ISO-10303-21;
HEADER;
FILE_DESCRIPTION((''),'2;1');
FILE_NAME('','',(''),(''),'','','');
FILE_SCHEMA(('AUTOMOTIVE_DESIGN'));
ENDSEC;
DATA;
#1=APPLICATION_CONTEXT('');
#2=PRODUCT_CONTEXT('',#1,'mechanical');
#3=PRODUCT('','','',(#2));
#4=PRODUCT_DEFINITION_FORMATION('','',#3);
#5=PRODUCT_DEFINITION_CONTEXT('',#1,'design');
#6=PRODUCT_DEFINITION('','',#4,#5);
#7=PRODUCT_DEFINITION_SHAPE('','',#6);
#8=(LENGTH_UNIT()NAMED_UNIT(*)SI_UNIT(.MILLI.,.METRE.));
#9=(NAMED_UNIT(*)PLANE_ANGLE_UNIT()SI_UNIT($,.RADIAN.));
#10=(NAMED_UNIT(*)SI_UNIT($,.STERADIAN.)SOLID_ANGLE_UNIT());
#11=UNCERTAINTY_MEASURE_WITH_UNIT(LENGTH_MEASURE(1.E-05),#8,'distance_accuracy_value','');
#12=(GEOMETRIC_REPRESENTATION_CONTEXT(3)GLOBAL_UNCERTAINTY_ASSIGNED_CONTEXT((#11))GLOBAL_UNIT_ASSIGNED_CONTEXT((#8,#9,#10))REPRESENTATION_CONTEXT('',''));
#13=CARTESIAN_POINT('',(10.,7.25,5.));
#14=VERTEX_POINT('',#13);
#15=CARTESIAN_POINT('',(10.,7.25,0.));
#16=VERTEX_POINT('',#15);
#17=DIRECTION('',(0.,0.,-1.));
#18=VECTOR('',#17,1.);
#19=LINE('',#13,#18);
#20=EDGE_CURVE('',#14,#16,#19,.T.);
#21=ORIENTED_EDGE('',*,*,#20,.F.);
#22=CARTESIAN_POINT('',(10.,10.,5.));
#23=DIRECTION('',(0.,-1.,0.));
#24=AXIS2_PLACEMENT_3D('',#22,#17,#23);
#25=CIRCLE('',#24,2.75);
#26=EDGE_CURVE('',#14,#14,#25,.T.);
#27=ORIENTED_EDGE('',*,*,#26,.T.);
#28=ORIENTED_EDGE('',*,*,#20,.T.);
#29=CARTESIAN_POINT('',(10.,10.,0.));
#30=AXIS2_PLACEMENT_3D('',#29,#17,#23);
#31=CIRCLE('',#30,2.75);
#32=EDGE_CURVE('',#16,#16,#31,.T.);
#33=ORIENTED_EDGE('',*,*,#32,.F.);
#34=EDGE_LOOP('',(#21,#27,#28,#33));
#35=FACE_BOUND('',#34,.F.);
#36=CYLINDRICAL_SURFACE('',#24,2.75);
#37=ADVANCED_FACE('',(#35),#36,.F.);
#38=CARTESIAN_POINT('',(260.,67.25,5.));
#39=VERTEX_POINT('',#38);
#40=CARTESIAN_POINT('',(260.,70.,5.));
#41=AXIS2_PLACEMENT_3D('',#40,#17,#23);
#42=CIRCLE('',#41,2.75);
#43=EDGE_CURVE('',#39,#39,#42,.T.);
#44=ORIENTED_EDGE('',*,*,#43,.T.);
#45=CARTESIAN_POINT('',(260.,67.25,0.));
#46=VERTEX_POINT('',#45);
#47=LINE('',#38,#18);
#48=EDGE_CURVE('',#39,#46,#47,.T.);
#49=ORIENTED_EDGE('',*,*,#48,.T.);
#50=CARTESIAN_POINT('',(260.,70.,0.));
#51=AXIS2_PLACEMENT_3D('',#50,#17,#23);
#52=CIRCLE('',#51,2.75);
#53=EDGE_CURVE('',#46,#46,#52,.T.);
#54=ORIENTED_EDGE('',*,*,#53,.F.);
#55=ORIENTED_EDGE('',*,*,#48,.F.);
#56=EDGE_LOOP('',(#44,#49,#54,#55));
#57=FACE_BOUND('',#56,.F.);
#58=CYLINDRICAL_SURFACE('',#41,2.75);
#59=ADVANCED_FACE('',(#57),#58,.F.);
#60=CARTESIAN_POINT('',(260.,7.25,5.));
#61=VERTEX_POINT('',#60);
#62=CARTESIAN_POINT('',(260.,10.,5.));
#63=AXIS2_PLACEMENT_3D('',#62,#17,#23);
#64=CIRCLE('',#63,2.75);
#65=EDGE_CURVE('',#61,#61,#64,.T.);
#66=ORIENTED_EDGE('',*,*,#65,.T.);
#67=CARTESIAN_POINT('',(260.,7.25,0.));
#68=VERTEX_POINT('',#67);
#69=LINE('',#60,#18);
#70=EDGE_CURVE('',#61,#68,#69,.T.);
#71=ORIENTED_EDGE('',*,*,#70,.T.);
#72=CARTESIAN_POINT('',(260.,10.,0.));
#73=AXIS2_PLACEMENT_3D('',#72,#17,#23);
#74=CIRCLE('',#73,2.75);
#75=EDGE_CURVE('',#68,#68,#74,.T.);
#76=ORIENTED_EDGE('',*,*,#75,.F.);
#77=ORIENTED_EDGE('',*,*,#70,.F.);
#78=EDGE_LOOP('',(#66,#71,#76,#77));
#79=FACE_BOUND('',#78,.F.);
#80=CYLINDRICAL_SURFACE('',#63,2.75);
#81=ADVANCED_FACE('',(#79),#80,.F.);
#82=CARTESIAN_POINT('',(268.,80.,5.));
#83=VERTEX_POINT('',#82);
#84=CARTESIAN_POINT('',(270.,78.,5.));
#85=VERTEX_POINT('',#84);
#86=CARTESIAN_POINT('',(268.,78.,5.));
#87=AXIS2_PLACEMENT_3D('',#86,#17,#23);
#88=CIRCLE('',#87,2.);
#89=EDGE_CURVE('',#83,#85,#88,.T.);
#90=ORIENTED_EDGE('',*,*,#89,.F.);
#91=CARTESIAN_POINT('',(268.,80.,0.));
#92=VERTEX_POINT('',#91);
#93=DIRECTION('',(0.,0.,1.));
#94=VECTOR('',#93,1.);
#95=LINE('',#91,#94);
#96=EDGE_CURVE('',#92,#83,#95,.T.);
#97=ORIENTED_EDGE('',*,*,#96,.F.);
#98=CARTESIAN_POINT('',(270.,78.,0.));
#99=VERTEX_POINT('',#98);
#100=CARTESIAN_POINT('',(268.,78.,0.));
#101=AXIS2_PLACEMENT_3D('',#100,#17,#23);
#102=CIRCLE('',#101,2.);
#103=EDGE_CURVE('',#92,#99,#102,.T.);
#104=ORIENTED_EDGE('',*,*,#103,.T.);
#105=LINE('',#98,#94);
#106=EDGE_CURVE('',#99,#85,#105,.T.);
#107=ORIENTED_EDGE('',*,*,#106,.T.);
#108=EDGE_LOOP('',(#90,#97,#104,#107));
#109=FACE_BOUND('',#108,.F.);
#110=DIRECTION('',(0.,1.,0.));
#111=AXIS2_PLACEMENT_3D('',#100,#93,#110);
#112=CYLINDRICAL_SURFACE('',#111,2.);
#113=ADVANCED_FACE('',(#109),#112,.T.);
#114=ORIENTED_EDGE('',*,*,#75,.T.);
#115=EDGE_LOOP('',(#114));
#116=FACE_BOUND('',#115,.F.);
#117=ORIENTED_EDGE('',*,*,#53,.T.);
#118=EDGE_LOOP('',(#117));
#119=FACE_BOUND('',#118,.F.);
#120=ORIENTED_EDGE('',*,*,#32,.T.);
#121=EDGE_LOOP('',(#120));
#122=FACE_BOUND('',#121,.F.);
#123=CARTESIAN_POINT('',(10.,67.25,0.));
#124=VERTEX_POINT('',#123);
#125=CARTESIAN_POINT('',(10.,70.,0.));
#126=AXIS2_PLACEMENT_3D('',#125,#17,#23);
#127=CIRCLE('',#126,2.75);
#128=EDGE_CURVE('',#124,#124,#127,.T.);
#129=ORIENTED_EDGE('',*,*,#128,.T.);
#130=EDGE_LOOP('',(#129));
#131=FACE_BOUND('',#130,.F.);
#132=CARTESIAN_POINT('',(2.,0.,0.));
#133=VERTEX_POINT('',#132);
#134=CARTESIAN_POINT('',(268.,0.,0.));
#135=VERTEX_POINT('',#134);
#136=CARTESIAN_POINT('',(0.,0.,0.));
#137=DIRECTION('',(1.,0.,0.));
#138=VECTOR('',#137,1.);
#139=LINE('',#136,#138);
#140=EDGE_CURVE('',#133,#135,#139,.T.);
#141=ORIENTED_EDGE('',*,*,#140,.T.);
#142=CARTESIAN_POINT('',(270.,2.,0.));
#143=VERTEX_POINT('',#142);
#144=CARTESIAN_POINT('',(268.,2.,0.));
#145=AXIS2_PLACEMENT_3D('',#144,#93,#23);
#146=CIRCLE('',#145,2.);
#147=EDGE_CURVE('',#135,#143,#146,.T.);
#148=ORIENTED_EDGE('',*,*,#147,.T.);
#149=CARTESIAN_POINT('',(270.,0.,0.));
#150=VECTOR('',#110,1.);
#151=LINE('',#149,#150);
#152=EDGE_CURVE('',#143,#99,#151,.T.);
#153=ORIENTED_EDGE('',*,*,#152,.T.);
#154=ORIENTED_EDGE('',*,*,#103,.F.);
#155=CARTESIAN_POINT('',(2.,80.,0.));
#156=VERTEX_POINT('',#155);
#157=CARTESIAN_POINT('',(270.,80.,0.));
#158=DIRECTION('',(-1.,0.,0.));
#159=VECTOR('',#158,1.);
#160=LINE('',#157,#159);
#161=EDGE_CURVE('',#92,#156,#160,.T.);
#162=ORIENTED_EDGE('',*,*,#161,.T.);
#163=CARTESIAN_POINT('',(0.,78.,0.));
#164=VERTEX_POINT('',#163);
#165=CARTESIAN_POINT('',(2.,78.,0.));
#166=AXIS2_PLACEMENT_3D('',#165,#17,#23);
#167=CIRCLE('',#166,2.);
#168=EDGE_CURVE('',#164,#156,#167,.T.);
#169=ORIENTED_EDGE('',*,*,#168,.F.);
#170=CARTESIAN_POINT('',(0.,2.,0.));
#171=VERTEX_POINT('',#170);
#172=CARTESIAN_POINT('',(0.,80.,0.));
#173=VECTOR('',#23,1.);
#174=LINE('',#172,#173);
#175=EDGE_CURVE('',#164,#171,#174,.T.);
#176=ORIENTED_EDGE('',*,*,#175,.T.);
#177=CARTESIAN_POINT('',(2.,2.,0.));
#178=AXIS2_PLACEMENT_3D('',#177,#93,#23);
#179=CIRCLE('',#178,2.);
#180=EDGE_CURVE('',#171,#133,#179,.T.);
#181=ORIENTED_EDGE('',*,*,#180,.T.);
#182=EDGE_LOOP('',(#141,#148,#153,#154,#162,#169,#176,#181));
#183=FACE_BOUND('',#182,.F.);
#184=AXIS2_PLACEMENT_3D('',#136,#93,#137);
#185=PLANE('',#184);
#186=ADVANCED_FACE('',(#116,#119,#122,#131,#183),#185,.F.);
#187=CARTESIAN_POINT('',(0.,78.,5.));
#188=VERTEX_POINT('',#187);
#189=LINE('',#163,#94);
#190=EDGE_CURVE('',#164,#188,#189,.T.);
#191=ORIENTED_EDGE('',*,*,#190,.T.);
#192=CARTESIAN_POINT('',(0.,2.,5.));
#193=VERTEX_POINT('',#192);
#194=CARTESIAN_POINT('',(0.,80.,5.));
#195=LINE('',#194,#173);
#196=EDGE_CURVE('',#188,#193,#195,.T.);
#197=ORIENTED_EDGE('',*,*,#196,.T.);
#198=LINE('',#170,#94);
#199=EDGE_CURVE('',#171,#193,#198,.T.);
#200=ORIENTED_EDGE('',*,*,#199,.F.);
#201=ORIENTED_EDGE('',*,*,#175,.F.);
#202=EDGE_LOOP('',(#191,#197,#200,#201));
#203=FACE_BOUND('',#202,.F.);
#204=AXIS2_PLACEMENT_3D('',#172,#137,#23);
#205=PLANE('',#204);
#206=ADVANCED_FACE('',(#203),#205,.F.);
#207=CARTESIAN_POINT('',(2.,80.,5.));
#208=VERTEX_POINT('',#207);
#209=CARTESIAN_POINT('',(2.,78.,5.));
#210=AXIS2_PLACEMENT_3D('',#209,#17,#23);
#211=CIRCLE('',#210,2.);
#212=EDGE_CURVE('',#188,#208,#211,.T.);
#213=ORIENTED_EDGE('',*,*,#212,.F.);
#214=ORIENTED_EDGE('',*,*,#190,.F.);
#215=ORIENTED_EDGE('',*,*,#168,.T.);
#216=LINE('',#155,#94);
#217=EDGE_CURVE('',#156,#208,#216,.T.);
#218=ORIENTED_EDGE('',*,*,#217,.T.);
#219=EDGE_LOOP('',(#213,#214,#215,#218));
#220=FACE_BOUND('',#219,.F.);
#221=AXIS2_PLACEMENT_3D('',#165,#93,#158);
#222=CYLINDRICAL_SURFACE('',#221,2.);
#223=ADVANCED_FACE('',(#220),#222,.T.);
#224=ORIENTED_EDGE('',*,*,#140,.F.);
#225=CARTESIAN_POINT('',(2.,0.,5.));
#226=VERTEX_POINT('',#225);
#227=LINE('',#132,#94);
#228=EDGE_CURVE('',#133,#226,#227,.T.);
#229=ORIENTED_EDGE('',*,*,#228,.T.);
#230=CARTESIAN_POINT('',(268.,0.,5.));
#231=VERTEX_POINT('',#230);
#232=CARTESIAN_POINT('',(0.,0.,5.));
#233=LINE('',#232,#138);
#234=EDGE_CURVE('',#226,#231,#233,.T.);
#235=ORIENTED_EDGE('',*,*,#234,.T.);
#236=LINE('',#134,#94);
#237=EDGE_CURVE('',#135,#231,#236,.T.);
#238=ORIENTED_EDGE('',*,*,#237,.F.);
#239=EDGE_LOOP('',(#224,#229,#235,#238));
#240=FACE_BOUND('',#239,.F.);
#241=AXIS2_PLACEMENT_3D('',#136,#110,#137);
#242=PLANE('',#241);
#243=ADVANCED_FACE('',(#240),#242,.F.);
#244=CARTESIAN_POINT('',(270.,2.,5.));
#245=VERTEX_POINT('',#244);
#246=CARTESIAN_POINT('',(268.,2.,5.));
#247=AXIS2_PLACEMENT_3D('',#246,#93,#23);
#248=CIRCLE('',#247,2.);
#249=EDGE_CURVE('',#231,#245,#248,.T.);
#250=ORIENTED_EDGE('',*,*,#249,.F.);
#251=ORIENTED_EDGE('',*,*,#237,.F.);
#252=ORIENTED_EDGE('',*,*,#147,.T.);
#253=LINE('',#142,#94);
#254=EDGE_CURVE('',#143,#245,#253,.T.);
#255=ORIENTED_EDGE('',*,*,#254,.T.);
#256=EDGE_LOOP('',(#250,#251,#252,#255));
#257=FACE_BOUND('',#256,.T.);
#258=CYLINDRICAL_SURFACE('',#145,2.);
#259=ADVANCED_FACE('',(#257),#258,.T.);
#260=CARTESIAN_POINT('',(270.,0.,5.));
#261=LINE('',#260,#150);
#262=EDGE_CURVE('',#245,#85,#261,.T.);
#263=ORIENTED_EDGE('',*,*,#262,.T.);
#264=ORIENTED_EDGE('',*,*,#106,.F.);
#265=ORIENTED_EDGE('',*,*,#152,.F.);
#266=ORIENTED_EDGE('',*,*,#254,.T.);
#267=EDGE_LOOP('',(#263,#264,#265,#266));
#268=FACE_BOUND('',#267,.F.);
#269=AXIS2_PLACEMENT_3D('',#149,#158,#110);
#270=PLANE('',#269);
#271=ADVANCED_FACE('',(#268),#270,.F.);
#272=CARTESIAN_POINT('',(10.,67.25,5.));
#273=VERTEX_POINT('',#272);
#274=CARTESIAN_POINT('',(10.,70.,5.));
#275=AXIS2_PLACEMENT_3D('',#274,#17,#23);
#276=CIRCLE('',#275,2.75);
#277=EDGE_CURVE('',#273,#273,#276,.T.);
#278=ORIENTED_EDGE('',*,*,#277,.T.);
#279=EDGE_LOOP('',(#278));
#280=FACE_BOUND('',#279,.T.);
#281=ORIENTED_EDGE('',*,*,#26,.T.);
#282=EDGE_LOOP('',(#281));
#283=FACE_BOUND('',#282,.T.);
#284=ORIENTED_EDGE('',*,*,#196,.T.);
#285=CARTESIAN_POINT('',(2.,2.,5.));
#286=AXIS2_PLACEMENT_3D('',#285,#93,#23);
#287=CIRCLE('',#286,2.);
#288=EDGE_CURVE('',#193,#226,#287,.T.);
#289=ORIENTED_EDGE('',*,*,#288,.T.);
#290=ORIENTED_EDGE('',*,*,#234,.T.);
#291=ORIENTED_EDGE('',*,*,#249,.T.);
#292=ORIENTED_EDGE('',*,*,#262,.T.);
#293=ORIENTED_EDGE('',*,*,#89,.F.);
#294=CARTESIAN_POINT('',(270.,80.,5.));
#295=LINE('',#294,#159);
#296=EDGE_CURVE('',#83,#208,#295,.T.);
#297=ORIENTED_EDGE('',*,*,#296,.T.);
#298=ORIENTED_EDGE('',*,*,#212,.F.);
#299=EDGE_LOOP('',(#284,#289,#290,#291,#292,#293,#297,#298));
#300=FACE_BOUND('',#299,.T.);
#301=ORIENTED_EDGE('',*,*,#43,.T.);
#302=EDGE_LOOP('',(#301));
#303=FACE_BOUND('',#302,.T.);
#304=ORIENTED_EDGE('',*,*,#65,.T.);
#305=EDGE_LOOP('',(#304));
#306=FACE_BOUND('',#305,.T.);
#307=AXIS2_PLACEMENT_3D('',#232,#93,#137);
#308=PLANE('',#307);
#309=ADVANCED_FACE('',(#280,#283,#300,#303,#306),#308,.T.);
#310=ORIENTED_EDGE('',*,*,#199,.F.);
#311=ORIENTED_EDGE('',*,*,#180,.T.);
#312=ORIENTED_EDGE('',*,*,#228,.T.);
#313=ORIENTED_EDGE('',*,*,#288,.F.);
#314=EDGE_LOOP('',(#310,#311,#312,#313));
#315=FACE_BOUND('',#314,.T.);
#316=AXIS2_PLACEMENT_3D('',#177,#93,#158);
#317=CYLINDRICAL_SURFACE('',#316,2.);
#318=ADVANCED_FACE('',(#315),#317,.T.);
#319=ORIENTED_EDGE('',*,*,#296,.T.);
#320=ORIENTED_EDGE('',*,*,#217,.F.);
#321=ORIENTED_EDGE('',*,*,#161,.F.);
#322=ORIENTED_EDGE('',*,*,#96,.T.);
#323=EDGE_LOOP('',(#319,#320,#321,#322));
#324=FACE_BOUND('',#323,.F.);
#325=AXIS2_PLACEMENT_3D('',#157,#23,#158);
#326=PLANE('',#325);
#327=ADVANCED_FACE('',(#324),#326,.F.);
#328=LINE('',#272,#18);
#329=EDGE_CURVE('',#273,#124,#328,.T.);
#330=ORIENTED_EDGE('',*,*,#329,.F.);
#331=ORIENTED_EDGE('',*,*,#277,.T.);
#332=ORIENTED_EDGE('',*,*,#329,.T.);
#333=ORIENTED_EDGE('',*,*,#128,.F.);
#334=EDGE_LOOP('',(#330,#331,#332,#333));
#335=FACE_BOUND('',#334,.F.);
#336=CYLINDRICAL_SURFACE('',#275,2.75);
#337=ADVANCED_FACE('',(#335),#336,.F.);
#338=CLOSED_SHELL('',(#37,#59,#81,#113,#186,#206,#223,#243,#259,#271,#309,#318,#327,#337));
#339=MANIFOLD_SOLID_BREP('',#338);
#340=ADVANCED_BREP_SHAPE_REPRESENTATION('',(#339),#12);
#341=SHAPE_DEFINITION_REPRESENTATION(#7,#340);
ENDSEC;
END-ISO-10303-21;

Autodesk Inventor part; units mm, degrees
ref_plane "YZ Plane" through (0, 0, 0) normal (1, 0, 0) x (0, 1, 0)
ref_plane "XZ Plane" through (0, 0, 0) normal (0, 1, 0) x (-1, 0, 0)
ref_plane "XY Plane" through (0, 0, 0) normal (0, 0, 1) x (1, 0, 0)
sketch "Sketch1" plane through (0, 0, 0) normal (0, 0, 1) x (1, 0, 0)
  line L0 (0, 0) -> (270, 0)
  line L1 (270, 0) -> (270, 80)
  line L2 (270, 80) -> (0, 80)
  line L3 (0, 80) -> (0, 0)
  dimension "d2" = 80
  dimension "d3" = 270
extrude "Extrusion1" add sketch "Sketch1" along normal blind 5
sketch "Sketch2" plane through (0, 0, 5) normal (0, 0, 1) x (1, 0, 0)
  circle A0 centre (10, 70) radius 2.75
  circle A1 centre (260, 70) radius 2.75
  circle A2 centre (260, 10) radius 2.75
  circle A3 centre (10, 10) radius 2.75
  line L0 (270, 80) -> (0, 80) projected
  line L1 (0, 80) -> (0, 0) projected
  line L2 (270, 0) -> (270, 80) projected
  line L3 (0, 0) -> (270, 0) projected
  dimension "d4" = 10
  dimension "d5" = 10
  dimension "d6" = 10
  dimension "d7" = 10
  dimension "d8" = 10
  dimension "d9" = 10
  dimension "d10" = 10
  dimension "d11" = 10
  dimension "d12" = 5.5
  dimension "d13" = 5.5
  dimension "d14" = 5.5
  dimension "d15" = 5.5
hole "Hole1" at (10, 70, 5) at (10, 10, 5) at (260, 10, 5) at (260, 70, 5) direction (0, 0, -1) diameter 5.5 end through all
fillet "Fillet1" radius 2 4 edges at (0, 80, 2.5) (270, 80, 2.5) (270, 0, 2.5) (0, 0, 2.5)
equation "\"d5\" = d4"
equation "\"d6\" = d4"
equation "\"d7\" = d4"
equation "\"d8\" = d4"
equation "\"d9\" = d4"
equation "\"d10\" = d4"
equation "\"d11\" = d4"
equation "\"d13\" = d12"
equation "\"d14\" = d12"
equation "\"d15\" = d12"
equation "\"d16\" = d12"
properties part number "HeightPlates"
